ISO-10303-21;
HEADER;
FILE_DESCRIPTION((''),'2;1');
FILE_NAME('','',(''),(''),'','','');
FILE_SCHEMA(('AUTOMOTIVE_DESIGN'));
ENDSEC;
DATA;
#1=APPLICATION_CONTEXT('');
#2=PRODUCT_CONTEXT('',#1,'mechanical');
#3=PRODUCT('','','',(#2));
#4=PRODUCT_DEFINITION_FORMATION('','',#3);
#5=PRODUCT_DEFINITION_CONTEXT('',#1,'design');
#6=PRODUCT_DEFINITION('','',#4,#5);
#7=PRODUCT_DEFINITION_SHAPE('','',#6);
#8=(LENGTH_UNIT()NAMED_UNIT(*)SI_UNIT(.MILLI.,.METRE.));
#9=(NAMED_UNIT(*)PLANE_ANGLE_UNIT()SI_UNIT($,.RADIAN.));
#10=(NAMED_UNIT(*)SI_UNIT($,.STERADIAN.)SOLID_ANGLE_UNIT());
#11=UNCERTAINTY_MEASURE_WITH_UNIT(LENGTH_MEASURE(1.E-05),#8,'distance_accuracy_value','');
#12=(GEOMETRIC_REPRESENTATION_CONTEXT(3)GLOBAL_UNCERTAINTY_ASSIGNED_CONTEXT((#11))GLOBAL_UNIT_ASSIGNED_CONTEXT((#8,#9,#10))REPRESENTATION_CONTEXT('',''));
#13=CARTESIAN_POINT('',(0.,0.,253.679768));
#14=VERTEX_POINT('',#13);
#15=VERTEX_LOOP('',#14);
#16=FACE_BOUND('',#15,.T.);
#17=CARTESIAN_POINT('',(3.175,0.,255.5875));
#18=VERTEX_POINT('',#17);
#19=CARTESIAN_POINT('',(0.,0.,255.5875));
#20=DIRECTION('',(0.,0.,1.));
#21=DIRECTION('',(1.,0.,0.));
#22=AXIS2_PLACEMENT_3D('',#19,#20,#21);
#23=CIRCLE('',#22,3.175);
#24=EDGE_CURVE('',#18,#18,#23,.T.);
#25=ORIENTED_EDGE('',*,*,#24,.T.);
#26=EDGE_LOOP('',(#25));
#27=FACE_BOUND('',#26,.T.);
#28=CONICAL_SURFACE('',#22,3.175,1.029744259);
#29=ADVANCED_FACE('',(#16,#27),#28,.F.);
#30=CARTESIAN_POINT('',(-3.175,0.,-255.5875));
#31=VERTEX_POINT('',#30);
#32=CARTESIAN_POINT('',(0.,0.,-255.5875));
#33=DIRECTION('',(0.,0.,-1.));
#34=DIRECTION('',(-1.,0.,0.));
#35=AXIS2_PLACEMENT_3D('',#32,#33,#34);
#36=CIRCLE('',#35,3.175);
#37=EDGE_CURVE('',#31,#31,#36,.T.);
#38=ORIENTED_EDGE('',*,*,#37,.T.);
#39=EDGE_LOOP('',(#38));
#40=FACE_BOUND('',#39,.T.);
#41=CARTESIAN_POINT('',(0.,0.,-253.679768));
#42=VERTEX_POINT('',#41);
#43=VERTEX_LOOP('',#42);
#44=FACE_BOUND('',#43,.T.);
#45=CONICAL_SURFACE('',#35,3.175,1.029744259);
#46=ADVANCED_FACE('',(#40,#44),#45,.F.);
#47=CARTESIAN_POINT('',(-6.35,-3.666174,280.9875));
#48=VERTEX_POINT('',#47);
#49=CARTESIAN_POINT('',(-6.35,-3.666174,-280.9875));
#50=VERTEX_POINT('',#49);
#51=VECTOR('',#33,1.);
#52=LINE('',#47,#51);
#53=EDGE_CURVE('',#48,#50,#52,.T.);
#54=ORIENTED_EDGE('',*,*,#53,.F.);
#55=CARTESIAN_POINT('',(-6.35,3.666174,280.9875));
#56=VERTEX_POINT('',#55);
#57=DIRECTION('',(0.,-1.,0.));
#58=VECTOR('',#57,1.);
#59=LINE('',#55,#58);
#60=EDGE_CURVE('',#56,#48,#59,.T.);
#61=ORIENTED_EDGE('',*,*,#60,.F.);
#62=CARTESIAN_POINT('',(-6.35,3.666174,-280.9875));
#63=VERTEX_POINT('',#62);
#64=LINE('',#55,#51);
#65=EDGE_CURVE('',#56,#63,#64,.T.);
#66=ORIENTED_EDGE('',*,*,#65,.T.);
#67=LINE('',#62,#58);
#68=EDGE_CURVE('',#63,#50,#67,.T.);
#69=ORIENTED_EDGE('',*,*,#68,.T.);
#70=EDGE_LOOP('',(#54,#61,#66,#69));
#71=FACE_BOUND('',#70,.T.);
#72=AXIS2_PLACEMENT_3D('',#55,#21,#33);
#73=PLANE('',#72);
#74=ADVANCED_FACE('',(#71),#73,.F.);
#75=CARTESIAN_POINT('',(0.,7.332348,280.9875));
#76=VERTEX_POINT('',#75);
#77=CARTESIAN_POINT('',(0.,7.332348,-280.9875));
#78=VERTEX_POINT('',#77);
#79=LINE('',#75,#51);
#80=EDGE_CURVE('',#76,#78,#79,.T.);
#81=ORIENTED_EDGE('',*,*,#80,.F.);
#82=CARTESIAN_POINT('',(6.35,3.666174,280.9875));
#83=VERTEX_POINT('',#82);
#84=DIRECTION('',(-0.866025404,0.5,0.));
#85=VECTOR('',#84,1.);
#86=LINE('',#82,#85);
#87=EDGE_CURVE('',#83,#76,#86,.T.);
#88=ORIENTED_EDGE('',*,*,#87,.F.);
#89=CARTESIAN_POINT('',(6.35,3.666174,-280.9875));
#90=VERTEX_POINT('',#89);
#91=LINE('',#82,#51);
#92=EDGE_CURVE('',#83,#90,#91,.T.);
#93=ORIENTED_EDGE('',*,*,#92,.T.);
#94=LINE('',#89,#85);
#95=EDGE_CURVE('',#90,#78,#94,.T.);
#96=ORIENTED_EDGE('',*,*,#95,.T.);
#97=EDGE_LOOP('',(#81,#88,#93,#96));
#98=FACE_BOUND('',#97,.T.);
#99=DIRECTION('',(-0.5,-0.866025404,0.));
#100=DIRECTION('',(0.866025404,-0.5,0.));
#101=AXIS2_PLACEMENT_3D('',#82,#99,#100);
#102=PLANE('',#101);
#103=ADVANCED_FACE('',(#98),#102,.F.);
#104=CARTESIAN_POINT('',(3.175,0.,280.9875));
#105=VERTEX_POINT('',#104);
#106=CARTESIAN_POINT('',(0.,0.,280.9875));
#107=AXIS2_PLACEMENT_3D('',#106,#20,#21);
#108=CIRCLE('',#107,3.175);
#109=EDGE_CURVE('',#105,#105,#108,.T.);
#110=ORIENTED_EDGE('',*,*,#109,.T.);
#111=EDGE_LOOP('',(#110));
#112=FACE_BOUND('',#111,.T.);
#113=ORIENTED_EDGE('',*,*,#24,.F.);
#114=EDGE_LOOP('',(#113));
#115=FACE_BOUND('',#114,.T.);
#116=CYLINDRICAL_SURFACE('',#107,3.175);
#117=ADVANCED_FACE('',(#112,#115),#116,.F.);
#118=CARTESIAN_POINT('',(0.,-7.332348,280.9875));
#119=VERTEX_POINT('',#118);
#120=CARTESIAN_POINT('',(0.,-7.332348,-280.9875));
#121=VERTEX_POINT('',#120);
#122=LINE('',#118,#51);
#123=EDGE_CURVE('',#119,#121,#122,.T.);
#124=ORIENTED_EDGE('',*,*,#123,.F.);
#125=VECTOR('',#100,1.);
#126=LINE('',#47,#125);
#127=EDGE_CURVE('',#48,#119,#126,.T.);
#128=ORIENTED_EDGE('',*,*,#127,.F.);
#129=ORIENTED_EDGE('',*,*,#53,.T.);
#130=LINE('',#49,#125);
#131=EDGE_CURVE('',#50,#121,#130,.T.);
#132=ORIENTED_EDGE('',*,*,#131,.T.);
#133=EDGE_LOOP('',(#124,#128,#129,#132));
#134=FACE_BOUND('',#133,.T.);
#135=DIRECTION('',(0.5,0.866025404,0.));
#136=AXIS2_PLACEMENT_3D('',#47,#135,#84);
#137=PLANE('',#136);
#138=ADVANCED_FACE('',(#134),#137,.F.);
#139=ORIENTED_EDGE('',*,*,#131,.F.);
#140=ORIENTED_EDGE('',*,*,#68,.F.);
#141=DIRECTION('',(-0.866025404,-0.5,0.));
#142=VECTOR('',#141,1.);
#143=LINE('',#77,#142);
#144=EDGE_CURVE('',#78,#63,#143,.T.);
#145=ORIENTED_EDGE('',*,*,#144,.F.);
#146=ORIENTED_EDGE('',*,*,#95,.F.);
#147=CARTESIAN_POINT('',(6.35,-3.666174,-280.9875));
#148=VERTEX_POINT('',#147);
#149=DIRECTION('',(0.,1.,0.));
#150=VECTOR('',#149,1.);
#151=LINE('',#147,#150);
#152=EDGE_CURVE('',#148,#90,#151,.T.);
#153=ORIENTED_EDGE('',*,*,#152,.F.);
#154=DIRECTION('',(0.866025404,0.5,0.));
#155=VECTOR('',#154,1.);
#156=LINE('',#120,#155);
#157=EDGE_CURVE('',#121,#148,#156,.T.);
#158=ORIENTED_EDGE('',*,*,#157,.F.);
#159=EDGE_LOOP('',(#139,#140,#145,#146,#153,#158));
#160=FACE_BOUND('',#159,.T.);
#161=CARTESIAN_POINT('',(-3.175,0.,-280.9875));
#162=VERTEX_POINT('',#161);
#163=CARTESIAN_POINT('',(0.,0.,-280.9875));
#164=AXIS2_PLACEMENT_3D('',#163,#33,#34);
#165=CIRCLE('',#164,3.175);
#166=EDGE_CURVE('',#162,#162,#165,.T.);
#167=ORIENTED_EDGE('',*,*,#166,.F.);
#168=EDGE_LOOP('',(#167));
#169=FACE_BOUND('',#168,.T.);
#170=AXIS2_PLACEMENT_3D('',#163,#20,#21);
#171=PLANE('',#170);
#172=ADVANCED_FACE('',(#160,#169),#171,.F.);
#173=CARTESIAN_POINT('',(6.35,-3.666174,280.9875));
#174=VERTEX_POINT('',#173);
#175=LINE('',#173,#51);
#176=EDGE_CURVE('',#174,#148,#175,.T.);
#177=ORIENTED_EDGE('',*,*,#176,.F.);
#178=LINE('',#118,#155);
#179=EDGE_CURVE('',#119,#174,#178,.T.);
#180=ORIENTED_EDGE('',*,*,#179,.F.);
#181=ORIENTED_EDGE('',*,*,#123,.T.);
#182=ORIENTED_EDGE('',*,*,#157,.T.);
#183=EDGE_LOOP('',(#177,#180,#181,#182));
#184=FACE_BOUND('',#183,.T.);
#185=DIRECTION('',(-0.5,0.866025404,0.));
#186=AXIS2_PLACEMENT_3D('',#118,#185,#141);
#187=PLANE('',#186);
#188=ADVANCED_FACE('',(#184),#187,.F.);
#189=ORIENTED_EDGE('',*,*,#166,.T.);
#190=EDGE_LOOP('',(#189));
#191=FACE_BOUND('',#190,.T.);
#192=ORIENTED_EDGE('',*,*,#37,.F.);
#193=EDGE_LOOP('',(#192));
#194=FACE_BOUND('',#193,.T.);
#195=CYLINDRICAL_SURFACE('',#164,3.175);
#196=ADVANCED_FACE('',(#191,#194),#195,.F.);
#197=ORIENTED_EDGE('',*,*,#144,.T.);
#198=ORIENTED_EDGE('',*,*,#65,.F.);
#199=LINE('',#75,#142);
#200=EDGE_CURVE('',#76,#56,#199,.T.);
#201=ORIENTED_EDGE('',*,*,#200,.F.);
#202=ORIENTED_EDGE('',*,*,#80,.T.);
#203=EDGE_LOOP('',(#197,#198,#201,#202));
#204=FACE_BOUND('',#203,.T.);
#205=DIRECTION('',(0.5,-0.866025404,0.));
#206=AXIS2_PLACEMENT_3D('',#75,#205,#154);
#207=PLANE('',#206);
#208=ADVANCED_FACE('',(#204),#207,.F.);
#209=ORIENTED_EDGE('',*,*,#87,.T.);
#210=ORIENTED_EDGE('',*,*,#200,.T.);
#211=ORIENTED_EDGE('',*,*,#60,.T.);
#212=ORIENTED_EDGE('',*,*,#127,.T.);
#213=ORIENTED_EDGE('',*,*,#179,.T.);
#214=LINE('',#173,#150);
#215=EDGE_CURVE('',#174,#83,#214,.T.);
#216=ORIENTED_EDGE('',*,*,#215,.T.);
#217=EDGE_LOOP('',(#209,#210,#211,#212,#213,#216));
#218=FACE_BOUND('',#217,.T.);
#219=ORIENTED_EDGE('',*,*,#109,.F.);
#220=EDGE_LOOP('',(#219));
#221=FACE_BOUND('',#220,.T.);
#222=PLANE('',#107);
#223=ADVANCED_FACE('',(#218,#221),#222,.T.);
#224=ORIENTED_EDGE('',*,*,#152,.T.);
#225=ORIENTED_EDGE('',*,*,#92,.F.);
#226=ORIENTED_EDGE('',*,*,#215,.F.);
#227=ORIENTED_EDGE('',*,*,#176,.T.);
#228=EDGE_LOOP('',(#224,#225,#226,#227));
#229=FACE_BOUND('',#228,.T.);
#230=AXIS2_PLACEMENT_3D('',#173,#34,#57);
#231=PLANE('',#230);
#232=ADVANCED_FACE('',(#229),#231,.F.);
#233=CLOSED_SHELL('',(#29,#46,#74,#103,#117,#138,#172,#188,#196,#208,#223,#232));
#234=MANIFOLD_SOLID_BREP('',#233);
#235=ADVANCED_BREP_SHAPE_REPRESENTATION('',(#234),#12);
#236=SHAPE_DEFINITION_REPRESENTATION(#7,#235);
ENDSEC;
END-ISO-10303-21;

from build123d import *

# Parameters (mm, degrees)
BOSS_EXTRUDE2_DEPTH             = 280.9875
BOSS_EXTRUDE2_DEPTH_BACK        = 280.9875
F_1_4_0_25_DIAMETER_HOLE1_D     = 6.35
F_1_4_0_25_DIAMETER_HOLE1_DEPTH = 25.4
F_1_4_0_25_DIAMETER_HOLE1_TIP   = 1.907732465
F_1_4_0_25_DIAMETER_HOLE2_D     = 6.35
F_1_4_0_25_DIAMETER_HOLE2_DEPTH = 25.4
F_1_4_0_25_DIAMETER_HOLE2_TIP   = 1.907732465


with BuildPart() as part:
    # Sketch3 → Boss-Extrude2 (new, two sides: drawn at the far end of the back side and taken through both)
    with BuildSketch(Plane.XY.offset(-BOSS_EXTRUDE2_DEPTH_BACK)):
        Polygon((-6.35, -3.666174209), (0, -7.332348419), (6.35, -3.666174209), (6.35, 3.666174209), (0, 7.332348419), (-6.35, 3.666174209), align=None)
    extrude(amount=BOSS_EXTRUDE2_DEPTH + BOSS_EXTRUDE2_DEPTH_BACK)

    # 1/4 (0.25) Diameter Hole1
    with Locations(Plane.XY.offset(280.9875)):
        with Locations((0, 0)):
            Hole(F_1_4_0_25_DIAMETER_HOLE1_D / 2, depth=F_1_4_0_25_DIAMETER_HOLE1_DEPTH)
            with Locations((0, 0, -(F_1_4_0_25_DIAMETER_HOLE1_DEPTH + F_1_4_0_25_DIAMETER_HOLE1_TIP / 2))):  # 118° drill point
                Cone(0, F_1_4_0_25_DIAMETER_HOLE1_D / 2, F_1_4_0_25_DIAMETER_HOLE1_TIP, mode=Mode.SUBTRACT)

    # 1/4 (0.25) Diameter Hole2
    with Locations(Plane(origin=(0, 0, -280.9875), x_dir=(-1, 0, 0), z_dir=(0, 0, -1))):
        with Locations((0, 0)):
            Hole(F_1_4_0_25_DIAMETER_HOLE2_D / 2, depth=F_1_4_0_25_DIAMETER_HOLE2_DEPTH)
            with Locations((0, 0, -(F_1_4_0_25_DIAMETER_HOLE2_DEPTH + F_1_4_0_25_DIAMETER_HOLE2_TIP / 2))):  # 118° drill point
                Cone(0, F_1_4_0_25_DIAMETER_HOLE2_D / 2, F_1_4_0_25_DIAMETER_HOLE2_TIP, mode=Mode.SUBTRACT)


solid = part.part
